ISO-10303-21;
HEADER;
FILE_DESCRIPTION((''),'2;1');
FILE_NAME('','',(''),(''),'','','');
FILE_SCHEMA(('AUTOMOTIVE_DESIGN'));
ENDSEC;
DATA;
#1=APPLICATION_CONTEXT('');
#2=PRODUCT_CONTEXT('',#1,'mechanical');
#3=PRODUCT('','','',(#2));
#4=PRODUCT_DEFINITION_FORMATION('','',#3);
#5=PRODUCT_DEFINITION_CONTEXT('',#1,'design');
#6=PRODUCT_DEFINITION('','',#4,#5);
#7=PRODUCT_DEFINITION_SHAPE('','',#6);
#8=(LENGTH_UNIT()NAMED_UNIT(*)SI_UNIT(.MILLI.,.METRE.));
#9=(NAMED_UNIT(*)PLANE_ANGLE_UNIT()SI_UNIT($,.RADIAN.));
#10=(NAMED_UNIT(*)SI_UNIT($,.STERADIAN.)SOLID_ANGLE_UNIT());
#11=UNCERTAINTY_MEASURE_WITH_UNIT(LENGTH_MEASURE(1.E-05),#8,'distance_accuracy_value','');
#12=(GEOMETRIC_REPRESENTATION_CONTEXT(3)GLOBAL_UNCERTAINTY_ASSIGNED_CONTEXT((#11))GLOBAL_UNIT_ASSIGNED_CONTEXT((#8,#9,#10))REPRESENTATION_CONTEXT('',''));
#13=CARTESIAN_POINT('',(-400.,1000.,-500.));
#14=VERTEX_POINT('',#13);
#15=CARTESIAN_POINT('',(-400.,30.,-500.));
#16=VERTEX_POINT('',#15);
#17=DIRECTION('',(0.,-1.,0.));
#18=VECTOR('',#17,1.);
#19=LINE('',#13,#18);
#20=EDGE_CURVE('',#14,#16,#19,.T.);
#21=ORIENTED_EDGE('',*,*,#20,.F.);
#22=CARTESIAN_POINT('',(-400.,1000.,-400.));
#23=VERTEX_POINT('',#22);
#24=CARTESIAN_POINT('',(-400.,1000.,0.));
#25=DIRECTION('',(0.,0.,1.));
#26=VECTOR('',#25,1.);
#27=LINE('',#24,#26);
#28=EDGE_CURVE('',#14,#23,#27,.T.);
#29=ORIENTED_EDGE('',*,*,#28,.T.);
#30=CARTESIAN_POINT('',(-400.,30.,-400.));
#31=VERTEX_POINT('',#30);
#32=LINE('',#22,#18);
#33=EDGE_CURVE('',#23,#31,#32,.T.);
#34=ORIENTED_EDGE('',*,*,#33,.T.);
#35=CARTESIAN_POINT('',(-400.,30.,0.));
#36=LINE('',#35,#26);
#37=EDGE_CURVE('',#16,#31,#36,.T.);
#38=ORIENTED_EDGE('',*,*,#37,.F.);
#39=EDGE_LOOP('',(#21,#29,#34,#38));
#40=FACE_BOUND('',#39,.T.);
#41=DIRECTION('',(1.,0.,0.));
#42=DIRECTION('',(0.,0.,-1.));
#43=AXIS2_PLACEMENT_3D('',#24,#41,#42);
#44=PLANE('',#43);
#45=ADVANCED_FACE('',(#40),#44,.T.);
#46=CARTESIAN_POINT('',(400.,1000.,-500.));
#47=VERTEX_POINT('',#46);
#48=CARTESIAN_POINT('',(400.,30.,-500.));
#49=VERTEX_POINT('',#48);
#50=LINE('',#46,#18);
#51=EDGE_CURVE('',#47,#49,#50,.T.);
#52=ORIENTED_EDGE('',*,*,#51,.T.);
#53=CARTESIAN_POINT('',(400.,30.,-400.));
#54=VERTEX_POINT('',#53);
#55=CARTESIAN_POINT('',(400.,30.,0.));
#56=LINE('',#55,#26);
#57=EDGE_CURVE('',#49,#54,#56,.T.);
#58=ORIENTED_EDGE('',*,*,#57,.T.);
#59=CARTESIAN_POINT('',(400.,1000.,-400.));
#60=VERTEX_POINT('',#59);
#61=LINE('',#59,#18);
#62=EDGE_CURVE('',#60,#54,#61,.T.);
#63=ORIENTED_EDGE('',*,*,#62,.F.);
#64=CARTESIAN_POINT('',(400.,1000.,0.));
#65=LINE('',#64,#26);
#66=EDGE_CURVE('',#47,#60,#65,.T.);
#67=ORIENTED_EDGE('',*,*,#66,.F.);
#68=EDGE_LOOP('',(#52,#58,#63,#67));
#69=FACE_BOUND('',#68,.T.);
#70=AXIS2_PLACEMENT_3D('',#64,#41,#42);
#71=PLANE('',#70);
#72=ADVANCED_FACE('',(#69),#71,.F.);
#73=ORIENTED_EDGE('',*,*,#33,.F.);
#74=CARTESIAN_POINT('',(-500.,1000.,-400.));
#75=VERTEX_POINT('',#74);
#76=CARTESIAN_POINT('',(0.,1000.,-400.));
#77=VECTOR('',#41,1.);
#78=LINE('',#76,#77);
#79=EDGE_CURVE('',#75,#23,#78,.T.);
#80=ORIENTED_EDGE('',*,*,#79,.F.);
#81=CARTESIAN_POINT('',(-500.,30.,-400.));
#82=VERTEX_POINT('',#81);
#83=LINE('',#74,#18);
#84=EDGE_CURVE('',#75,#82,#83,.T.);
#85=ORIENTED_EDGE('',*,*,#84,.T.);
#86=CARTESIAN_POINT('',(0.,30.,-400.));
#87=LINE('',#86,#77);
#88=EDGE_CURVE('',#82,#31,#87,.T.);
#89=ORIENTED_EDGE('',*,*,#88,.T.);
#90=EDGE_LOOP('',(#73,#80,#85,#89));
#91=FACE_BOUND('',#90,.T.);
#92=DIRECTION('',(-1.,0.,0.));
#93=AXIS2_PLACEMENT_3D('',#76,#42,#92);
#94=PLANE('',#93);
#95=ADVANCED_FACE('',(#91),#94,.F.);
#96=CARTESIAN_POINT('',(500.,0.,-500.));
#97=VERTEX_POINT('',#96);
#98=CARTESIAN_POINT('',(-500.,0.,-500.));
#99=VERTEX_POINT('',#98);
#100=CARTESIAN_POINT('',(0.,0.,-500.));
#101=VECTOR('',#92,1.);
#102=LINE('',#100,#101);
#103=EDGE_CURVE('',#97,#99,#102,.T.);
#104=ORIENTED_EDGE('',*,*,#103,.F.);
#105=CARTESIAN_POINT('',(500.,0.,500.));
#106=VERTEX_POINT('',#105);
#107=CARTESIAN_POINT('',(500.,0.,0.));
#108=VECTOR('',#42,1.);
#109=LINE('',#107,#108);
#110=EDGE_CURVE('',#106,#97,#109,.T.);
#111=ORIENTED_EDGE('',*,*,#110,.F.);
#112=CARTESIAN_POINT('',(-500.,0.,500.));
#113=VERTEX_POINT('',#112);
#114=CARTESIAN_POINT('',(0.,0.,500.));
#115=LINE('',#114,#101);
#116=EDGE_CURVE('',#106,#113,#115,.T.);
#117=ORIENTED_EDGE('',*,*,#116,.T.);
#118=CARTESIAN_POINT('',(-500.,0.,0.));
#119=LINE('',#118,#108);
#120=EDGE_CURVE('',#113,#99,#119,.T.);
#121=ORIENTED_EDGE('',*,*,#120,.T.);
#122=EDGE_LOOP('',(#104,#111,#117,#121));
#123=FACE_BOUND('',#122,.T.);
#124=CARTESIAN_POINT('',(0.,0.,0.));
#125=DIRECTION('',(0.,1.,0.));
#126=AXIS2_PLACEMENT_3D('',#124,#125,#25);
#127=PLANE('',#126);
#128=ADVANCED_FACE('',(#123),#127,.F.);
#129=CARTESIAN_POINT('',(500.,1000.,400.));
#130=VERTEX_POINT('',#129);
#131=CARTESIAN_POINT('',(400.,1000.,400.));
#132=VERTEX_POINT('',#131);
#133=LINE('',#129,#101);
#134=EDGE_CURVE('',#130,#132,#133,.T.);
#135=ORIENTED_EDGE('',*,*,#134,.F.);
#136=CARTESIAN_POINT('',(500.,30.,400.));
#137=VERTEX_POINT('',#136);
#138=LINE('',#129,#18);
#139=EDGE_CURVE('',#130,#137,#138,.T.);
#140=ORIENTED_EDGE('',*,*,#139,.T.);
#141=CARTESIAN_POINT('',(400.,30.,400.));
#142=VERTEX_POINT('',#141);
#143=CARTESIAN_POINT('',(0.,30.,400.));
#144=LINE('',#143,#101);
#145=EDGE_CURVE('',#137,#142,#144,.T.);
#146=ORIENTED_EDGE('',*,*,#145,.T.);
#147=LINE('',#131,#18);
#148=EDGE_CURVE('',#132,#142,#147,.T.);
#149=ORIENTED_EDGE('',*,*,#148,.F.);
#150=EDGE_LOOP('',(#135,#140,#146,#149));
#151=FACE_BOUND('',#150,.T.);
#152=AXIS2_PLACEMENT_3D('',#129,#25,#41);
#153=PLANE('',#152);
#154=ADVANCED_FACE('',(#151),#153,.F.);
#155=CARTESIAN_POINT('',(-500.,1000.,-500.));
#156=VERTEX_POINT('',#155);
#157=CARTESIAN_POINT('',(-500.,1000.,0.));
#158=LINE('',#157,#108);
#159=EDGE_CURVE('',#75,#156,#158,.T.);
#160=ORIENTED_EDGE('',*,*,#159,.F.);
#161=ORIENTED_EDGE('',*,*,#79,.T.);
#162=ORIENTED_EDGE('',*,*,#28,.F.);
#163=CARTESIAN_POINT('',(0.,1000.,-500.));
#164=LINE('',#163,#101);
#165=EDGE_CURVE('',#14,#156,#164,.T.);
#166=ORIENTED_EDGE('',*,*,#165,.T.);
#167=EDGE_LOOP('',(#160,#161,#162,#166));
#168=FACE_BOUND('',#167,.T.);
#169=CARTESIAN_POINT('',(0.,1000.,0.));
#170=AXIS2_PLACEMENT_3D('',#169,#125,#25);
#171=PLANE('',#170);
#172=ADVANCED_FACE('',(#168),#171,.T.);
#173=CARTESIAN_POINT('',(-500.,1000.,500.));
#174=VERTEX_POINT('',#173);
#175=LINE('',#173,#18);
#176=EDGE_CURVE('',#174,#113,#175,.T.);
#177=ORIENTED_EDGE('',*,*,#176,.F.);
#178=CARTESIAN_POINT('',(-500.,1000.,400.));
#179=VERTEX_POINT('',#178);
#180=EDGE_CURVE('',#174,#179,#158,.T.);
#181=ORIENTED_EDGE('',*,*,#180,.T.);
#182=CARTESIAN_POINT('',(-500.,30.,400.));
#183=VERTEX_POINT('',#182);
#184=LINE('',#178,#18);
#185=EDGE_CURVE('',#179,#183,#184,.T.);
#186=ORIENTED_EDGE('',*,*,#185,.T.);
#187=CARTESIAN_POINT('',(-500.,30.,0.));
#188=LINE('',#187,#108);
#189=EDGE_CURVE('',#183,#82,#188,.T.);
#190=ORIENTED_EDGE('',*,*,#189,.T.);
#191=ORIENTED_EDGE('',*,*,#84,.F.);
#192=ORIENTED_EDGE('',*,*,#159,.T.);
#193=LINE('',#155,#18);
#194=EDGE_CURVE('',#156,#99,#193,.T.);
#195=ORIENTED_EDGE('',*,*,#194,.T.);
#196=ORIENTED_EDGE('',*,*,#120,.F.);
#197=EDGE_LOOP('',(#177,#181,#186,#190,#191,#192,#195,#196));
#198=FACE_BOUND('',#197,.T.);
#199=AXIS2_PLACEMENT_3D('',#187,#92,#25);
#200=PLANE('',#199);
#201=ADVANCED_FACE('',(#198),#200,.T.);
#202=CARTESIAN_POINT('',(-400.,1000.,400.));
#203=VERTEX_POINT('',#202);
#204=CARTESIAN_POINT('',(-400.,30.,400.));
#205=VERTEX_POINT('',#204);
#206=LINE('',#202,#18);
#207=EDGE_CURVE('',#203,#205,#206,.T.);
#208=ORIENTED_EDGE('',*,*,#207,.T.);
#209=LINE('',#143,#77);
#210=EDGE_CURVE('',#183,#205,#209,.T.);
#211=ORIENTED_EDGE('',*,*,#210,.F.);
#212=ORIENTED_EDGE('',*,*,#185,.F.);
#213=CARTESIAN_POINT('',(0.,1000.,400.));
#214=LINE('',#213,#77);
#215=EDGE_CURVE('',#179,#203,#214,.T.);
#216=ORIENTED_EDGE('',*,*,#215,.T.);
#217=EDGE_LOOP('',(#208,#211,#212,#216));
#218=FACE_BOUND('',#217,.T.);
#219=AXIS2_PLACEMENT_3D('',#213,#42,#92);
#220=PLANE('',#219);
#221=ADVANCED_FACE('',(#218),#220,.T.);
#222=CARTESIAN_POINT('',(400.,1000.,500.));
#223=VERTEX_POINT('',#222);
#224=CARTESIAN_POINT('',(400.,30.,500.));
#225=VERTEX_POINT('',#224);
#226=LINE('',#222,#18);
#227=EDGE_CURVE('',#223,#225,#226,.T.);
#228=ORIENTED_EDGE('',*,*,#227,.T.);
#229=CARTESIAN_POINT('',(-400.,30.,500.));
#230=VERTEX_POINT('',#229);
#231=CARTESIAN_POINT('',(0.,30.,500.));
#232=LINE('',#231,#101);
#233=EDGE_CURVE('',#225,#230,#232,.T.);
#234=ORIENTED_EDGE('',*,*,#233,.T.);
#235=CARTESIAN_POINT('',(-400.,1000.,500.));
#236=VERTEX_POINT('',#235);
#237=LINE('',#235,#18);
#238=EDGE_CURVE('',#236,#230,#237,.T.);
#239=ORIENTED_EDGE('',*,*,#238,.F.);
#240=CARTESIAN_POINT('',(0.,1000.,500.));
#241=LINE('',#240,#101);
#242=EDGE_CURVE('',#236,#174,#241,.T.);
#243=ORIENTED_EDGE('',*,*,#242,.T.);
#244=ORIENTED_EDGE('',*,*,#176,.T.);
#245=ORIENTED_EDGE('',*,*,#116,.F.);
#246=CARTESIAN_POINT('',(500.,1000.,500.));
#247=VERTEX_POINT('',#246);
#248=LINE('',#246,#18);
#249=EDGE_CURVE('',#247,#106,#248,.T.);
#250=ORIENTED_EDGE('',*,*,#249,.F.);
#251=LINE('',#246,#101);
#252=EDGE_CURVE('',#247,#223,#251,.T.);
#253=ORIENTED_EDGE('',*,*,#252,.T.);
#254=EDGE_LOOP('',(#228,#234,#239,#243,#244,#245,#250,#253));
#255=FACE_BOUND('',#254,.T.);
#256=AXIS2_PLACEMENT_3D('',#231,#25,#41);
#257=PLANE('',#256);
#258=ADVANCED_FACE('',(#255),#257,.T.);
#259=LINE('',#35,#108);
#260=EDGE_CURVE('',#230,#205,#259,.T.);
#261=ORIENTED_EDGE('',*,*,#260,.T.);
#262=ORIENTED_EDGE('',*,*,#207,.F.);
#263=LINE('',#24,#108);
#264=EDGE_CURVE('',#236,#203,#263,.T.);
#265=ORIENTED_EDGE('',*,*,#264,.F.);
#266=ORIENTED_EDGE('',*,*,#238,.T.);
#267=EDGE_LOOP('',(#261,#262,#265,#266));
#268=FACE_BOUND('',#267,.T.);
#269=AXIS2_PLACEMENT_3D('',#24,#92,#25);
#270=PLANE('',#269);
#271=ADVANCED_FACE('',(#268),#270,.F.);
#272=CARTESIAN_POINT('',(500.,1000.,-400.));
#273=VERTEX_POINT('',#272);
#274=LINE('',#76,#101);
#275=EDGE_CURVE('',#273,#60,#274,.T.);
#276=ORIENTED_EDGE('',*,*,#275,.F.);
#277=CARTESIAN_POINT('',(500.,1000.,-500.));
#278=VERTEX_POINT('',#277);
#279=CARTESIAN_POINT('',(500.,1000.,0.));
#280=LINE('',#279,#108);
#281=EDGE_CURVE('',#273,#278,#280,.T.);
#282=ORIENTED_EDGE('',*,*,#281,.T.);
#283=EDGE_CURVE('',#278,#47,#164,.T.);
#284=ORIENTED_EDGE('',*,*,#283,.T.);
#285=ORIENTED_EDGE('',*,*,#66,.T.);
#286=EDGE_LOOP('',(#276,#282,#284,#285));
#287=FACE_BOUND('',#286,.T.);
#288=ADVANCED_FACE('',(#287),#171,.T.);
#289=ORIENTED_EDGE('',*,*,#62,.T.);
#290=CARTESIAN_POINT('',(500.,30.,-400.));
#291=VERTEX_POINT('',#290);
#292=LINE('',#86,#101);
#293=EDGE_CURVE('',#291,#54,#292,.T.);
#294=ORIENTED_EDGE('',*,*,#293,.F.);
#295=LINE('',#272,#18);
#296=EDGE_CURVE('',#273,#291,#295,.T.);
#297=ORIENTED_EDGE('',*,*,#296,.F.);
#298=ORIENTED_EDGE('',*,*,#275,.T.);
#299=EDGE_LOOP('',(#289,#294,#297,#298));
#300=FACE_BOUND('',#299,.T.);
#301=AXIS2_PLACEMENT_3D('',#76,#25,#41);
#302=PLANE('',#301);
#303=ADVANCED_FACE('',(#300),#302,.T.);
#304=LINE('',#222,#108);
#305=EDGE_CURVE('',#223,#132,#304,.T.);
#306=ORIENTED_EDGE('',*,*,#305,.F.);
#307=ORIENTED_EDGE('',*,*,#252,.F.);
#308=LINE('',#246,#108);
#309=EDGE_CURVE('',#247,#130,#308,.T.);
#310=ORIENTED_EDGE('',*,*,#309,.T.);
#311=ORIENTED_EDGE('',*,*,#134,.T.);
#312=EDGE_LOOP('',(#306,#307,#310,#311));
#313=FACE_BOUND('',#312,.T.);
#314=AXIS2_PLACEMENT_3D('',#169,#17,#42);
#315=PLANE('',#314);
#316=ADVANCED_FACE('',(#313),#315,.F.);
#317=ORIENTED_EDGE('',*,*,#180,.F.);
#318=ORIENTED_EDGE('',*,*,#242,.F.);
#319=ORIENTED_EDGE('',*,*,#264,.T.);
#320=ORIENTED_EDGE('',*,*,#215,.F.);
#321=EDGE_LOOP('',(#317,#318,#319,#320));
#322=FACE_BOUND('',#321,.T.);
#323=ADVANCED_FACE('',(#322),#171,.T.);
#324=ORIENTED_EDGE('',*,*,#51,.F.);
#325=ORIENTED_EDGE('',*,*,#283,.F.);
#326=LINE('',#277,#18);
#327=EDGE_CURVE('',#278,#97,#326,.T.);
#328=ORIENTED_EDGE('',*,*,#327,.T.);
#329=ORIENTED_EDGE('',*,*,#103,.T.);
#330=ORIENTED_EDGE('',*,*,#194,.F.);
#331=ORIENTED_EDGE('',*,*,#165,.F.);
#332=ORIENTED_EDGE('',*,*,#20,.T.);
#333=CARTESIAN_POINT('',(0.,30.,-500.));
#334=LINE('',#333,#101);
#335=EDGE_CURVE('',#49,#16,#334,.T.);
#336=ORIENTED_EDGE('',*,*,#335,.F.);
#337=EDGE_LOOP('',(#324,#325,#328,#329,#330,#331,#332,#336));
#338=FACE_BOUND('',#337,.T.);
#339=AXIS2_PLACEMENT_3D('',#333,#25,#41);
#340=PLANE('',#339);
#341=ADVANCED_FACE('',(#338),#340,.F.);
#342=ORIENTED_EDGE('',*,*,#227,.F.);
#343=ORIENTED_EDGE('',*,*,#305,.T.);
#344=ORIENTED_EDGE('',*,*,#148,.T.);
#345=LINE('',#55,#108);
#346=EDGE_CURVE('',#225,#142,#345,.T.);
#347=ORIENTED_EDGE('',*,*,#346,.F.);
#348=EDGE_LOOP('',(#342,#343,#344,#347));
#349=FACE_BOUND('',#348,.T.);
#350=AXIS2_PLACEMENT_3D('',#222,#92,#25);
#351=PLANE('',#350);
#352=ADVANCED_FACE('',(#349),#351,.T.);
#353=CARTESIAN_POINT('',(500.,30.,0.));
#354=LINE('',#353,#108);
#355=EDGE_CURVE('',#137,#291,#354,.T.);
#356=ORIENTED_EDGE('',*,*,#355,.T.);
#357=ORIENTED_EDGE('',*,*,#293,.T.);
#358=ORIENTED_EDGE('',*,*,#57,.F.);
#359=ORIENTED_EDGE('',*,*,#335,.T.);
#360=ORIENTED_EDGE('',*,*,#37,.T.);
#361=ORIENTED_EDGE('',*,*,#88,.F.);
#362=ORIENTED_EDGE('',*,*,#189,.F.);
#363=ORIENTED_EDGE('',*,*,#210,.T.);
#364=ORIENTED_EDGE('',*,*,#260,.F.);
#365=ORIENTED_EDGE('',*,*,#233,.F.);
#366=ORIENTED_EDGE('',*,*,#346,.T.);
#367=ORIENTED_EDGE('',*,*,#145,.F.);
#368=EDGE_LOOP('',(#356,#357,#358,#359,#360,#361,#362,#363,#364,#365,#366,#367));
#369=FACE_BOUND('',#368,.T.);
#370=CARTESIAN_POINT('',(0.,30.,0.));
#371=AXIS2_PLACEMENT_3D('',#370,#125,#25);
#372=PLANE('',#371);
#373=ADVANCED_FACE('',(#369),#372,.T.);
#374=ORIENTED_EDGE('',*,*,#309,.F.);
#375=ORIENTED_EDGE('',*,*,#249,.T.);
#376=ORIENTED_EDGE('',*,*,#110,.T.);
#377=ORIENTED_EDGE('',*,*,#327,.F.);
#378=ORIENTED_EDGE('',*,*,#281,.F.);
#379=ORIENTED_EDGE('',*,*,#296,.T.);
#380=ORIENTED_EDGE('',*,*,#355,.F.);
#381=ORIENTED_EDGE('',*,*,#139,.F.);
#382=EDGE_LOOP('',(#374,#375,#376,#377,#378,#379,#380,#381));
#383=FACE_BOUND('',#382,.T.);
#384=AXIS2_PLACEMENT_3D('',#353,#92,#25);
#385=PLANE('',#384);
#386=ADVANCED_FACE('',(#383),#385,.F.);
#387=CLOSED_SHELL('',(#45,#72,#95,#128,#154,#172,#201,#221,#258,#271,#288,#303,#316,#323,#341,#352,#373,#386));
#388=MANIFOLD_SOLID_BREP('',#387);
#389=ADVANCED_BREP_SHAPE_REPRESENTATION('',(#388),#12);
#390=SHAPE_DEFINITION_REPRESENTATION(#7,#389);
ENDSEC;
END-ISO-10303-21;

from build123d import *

# Parameters (mm, degrees)
BOSS_EXTRUDE1_DEPTH = 30
SKETCH1_3_W         = 100
SKETCH1_3_H         = 100
BOSS_EXTRUDE2_DEPTH = 1000


with BuildPart() as part:
    # Sketch1 → Boss-Extrude1 (new body)
    with BuildSketch(Plane(origin=(0, 0, 0), x_dir=(1, 0, 0), z_dir=(0, 1, 0))):
        Polygon((-400, -500), (400, -500), (400, -400), (500, -400), (500, 400), (400, 400), (400, 500), (-400, 500), (-400, 400), (-500, 400), (-500, -400), (-400, -400), align=None)
    extrude(amount=BOSS_EXTRUDE1_DEPTH)

    # Sketch1<3> → Boss-Extrude2 (add)
    with BuildSketch(Plane(origin=(0, 0, 0), x_dir=(1, 0, 0), z_dir=(0, 1, 0))):
        with Locations((-450, -450)):
            Rectangle(SKETCH1_3_W, SKETCH1_3_H)
        with Locations((-450, 450)):
            Rectangle(SKETCH1_3_W, SKETCH1_3_H)
        with Locations((450, 450)):
            Rectangle(SKETCH1_3_W, SKETCH1_3_H)
        with Locations((450, -450)):
            Rectangle(SKETCH1_3_W, SKETCH1_3_H)
    extrude(amount=BOSS_EXTRUDE2_DEPTH)


solid = part.part
